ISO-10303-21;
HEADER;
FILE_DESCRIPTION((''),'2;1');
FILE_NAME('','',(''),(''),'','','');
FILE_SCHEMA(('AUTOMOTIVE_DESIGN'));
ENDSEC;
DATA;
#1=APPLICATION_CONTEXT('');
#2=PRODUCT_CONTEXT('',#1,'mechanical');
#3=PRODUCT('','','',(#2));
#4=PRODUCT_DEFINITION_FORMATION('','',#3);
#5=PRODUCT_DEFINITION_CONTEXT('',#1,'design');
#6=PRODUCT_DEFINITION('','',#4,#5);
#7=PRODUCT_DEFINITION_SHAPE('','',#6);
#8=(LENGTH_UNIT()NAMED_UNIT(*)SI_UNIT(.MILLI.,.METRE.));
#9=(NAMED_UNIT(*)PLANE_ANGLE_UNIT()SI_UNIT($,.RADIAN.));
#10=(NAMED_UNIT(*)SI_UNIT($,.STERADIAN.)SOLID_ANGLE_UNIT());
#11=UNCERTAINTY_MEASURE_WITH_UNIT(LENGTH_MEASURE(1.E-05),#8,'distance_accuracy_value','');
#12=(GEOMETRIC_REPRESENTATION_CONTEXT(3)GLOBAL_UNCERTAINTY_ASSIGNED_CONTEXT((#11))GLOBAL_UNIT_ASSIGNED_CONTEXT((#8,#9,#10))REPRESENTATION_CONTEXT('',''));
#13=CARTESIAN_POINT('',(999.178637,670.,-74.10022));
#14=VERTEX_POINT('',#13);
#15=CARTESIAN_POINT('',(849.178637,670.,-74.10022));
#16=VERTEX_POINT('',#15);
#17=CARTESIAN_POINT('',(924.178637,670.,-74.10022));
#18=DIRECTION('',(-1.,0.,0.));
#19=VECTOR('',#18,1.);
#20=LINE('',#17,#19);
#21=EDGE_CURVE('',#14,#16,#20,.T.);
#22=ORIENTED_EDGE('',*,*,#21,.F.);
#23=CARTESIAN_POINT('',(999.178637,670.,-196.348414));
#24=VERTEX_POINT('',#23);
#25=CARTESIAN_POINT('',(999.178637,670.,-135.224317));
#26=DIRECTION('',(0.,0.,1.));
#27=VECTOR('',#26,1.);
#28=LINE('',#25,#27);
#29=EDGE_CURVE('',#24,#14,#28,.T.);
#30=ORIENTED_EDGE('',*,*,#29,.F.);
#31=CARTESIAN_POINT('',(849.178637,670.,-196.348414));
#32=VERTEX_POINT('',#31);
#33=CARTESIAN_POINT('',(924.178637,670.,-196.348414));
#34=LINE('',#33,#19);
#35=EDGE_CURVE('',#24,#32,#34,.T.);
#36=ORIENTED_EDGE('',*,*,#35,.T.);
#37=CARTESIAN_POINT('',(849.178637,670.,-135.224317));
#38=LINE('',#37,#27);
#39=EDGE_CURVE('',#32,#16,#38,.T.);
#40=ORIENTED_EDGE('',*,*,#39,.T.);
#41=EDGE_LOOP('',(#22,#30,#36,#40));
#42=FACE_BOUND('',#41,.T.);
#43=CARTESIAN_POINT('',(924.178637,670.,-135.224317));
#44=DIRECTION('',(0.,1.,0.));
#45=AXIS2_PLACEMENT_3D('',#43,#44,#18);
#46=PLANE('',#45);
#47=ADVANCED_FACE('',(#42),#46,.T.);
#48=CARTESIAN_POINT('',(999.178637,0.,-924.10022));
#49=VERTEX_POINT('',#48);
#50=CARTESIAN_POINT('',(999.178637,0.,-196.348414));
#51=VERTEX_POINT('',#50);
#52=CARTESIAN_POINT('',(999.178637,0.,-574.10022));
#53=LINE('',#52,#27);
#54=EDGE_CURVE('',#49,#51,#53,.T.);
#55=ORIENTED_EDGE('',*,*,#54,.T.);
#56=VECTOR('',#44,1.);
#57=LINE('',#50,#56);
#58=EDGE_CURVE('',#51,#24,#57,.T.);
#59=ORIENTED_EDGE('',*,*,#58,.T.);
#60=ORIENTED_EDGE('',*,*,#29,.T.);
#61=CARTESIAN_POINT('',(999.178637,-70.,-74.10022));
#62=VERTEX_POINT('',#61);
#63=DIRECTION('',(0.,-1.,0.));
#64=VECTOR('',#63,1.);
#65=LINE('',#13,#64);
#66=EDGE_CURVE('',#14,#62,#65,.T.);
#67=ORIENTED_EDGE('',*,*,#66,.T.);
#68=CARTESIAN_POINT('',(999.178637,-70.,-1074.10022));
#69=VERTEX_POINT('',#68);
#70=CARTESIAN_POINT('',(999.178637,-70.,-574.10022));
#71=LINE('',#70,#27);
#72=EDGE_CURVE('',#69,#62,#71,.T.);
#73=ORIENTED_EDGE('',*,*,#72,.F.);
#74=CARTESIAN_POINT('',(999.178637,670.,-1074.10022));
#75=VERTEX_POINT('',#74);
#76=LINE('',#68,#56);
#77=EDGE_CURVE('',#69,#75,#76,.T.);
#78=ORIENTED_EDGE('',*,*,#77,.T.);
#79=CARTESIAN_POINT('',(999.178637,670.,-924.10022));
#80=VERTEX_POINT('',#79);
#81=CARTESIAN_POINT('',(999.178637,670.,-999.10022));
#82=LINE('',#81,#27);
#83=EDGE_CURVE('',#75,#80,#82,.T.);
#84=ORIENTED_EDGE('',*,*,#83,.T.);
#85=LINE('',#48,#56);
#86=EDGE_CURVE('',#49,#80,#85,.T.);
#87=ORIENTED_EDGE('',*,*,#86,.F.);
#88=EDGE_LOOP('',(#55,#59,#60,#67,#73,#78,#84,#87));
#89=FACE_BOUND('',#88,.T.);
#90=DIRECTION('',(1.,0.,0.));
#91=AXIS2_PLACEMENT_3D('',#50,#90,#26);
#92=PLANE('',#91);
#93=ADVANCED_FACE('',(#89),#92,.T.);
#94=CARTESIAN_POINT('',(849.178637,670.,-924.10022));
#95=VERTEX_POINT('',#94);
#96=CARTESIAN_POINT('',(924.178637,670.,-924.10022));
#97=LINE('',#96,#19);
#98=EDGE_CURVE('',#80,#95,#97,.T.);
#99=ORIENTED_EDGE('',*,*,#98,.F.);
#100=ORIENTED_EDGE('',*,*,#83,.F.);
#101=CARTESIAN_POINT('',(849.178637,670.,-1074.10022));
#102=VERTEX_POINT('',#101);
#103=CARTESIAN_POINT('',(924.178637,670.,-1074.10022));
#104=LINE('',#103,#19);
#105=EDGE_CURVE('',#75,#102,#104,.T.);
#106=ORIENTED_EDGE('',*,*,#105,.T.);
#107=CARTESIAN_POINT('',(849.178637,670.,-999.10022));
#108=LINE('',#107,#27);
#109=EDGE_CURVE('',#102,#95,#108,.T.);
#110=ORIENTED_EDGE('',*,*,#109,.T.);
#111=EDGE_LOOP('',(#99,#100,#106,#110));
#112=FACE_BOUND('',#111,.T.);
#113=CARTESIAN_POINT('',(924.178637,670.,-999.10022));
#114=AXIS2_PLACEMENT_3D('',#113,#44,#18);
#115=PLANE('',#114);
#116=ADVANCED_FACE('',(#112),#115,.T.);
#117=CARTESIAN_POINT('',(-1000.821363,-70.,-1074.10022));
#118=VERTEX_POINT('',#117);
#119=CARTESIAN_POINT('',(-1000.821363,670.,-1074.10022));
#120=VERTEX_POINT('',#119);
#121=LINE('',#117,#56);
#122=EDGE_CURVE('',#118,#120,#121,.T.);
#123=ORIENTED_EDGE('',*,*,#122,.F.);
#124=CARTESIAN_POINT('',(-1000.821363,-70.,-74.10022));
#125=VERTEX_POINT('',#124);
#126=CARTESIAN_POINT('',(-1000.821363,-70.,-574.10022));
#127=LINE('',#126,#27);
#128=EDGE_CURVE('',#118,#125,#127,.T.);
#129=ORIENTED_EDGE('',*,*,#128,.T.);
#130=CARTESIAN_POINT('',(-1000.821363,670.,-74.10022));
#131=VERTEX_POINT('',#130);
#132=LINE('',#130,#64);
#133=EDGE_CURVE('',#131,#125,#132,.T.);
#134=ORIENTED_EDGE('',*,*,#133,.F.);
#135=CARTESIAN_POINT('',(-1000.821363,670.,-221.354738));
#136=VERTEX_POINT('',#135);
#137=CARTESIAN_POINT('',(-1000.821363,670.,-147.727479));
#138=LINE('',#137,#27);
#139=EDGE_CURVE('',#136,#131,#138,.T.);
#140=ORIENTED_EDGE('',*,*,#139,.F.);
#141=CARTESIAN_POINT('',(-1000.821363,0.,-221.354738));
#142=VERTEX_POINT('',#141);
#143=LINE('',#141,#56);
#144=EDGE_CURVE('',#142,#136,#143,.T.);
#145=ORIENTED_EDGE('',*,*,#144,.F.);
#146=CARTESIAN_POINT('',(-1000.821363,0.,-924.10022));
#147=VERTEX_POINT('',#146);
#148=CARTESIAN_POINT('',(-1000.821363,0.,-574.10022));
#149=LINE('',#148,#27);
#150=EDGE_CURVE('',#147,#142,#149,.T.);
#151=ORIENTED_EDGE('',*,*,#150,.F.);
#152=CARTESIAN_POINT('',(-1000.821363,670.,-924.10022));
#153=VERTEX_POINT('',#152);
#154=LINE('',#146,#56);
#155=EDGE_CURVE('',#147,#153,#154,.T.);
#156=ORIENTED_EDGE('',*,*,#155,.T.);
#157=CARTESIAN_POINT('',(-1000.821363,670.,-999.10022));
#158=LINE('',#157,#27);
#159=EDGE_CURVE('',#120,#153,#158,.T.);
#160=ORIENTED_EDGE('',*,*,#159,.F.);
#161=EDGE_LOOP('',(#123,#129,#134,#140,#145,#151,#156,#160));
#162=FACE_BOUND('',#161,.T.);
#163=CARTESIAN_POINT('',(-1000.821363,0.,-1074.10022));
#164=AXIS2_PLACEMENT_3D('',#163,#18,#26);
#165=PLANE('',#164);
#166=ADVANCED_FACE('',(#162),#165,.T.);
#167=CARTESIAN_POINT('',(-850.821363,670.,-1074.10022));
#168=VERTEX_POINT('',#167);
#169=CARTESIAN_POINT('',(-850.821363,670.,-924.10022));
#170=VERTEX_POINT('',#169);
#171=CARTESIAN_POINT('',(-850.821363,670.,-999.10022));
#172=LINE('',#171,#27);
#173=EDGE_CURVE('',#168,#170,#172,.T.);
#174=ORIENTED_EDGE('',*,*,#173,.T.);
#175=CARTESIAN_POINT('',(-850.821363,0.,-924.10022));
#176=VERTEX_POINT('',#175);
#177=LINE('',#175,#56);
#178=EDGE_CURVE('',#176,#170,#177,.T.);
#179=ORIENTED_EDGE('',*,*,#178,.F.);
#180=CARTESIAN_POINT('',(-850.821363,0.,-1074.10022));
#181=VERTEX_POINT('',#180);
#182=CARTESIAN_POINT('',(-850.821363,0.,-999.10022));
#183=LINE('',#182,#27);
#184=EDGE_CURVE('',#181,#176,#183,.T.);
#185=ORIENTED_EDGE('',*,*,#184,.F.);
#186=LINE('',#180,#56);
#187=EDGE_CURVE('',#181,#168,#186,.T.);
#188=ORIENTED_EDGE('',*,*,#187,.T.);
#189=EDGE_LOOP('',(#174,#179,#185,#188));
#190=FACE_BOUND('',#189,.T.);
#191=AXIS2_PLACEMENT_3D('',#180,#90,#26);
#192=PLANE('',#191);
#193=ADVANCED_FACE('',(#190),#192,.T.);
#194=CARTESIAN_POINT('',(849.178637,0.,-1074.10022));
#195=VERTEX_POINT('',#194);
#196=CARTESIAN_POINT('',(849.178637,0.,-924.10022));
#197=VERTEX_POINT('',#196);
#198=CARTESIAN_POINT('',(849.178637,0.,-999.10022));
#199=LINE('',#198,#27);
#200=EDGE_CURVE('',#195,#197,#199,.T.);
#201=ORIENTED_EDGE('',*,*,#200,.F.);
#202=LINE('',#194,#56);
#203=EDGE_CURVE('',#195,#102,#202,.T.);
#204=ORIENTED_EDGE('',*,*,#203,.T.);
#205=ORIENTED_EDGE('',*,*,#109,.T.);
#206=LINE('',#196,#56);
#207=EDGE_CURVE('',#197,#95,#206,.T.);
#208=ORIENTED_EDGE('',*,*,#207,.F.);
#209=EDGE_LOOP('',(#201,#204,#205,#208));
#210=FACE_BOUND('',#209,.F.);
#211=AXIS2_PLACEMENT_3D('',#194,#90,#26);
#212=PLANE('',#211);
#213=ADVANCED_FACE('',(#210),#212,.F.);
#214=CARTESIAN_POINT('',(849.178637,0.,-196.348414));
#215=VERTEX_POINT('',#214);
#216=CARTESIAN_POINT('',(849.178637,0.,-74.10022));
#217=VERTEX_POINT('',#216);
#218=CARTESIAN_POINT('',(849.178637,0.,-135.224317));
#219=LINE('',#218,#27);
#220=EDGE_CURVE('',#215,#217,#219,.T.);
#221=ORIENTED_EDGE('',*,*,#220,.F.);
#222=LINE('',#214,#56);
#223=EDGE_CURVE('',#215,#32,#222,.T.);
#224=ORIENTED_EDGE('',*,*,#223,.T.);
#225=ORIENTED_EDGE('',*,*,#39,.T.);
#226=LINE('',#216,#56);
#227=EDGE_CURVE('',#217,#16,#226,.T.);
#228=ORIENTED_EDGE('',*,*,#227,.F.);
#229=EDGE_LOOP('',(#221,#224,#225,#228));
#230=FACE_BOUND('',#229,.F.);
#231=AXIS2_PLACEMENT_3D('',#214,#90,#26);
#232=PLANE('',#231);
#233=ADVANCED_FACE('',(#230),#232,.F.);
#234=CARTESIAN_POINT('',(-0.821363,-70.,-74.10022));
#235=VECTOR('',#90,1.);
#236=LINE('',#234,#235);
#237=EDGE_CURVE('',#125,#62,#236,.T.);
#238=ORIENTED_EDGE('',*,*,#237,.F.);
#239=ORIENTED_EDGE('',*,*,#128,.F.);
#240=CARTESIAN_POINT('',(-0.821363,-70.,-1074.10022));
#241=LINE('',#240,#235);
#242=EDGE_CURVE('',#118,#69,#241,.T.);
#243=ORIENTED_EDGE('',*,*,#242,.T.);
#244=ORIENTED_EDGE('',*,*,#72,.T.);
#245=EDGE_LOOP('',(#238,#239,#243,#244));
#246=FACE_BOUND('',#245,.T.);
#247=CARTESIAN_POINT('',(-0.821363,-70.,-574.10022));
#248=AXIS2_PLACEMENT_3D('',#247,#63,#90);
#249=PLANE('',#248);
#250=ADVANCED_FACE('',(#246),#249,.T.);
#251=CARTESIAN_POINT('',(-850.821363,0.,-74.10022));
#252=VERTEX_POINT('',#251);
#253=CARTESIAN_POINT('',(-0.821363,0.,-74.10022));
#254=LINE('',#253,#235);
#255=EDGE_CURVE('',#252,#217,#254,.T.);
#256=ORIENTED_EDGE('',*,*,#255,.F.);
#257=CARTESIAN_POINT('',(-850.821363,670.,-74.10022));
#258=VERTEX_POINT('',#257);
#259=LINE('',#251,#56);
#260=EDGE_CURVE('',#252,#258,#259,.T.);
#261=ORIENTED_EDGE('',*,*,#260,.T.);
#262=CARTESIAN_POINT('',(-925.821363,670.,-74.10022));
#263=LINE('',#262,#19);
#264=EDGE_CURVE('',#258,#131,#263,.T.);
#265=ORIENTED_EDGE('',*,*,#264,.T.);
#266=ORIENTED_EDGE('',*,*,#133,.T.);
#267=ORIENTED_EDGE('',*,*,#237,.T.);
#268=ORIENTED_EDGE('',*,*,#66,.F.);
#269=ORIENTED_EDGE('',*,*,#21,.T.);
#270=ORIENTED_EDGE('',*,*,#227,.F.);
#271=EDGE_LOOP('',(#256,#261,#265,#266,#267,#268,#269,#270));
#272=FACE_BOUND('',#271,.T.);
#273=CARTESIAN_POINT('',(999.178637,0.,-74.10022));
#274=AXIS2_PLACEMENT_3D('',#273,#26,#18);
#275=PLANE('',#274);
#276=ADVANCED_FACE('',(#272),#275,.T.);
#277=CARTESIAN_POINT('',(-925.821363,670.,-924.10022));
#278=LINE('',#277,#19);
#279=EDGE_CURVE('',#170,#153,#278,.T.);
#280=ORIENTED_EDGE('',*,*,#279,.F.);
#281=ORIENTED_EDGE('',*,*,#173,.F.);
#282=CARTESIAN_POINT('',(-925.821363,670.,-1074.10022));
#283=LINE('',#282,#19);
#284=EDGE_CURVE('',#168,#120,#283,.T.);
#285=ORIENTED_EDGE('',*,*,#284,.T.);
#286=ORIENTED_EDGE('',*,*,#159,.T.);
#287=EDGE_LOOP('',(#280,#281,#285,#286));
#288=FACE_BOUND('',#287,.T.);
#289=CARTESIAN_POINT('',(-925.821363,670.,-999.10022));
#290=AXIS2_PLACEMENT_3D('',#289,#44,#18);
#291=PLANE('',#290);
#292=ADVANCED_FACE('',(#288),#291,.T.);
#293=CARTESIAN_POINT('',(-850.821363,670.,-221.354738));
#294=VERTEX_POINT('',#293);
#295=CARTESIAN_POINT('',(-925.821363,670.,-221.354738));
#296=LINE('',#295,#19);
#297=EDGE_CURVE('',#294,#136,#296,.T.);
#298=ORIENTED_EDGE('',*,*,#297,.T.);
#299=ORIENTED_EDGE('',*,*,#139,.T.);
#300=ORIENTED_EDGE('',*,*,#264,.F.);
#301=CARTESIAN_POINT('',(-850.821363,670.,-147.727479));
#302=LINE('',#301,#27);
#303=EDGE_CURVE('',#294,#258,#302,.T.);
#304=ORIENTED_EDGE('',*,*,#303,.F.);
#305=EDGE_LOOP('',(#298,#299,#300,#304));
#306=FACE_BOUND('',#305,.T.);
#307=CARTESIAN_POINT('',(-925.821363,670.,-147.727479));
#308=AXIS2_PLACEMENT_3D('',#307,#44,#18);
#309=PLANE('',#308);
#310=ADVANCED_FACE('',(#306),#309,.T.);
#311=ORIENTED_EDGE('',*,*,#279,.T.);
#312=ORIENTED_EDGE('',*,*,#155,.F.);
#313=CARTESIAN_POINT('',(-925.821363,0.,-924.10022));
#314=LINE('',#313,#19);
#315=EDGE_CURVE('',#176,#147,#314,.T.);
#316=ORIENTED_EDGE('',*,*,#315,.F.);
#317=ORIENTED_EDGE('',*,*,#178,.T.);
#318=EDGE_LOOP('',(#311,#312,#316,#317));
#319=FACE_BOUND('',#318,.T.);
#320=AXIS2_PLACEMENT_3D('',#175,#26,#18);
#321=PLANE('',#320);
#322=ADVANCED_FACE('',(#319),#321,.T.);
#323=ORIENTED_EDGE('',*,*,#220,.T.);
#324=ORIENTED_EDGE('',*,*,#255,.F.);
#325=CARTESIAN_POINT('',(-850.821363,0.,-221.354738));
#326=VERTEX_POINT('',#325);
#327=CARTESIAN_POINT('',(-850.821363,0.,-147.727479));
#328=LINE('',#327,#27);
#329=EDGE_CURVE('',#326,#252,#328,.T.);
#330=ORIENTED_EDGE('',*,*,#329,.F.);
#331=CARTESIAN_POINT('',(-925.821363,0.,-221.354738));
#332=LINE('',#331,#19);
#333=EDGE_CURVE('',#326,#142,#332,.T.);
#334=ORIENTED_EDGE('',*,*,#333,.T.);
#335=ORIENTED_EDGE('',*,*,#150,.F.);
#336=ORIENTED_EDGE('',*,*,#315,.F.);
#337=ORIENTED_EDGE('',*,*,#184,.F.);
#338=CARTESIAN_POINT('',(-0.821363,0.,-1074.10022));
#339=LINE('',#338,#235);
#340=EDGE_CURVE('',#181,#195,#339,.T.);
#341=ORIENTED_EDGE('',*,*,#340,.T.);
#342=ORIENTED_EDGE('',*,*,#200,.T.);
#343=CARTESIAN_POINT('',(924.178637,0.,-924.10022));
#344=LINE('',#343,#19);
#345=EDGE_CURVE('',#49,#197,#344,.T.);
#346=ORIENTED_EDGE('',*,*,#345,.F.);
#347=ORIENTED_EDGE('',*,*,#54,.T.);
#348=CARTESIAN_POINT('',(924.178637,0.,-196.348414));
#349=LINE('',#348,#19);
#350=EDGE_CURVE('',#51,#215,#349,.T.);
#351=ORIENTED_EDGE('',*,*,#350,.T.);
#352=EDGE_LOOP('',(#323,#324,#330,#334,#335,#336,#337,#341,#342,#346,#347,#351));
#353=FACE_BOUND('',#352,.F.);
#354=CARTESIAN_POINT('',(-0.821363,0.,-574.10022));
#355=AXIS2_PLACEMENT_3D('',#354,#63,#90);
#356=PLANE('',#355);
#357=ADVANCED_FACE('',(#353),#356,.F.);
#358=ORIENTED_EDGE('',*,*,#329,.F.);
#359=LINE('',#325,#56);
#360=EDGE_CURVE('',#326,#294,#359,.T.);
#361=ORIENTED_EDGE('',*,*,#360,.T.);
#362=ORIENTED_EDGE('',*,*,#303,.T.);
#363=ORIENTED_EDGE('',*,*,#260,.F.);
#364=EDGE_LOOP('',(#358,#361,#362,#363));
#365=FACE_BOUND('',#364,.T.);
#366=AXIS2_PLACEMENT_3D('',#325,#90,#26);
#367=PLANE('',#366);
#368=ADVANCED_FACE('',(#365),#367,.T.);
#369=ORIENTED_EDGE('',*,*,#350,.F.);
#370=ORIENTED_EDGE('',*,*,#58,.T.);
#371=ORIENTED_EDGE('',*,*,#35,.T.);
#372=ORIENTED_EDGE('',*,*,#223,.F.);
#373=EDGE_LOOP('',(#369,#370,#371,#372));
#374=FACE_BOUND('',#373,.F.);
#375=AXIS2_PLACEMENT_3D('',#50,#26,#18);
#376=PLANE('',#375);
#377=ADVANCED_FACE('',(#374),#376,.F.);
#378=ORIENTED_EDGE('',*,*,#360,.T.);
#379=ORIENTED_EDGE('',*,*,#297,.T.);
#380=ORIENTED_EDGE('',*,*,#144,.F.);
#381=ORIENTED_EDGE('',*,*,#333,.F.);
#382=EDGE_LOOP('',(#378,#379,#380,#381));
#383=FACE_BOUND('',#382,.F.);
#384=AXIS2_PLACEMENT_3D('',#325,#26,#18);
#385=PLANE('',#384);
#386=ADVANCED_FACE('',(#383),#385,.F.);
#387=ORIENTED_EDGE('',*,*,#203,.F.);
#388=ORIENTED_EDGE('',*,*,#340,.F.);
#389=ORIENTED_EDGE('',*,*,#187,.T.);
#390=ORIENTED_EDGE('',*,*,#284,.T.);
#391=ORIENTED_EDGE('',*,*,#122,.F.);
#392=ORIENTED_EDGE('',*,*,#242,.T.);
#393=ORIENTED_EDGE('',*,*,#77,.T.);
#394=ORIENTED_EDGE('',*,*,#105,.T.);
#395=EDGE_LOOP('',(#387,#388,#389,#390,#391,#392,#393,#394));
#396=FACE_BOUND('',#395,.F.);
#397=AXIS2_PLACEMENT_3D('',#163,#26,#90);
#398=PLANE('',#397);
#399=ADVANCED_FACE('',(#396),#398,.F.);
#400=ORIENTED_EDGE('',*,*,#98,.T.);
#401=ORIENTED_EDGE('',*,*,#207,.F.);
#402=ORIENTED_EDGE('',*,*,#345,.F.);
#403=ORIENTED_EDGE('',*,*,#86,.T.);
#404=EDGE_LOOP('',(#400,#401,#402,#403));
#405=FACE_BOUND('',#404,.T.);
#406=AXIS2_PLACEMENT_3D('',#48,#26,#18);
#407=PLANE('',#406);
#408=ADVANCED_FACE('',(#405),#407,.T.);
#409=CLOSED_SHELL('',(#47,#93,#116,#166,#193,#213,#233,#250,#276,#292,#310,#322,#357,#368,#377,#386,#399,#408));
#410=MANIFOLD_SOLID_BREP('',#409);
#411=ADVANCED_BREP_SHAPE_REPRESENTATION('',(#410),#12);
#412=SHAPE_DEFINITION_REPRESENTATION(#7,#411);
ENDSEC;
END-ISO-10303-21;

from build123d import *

# Parameters (mm, degrees)
F0_W     = 2000
F0_H     = 1000
F1_DEPTH = 70
F2_W     = 150
F2_H     = 122.248194
F2_H_2   = 150
F2_H_3   = 147.254518
F3_DEPTH = 670


with BuildPart() as f1:
    # F0 (on Front) → F1 (new body)
    with BuildSketch(Plane.XZ):
        with Locations((-0.821363, -574.10022)):
            Rectangle(F0_W, F0_H)
    extrude(amount=F1_DEPTH)

    # F2 (on face) → F3 (join)
    with BuildSketch(Plane(origin=(0, 0, 0), x_dir=(-1, 0, 0), z_dir=(0, 1, 0))):
        with Locations((-924.178637, -135.224317)):
            Rectangle(F2_W, F2_H)
        with Locations((-924.178637, -999.10022)):
            Rectangle(F2_W, F2_H_2)
        with Locations((925.821363, -999.10022)):
            Rectangle(F2_W, F2_H_2)
        with Locations((925.821363, -147.727479)):
            Rectangle(F2_W, F2_H_3)
    extrude(amount=F3_DEPTH)


solid = f1.part
